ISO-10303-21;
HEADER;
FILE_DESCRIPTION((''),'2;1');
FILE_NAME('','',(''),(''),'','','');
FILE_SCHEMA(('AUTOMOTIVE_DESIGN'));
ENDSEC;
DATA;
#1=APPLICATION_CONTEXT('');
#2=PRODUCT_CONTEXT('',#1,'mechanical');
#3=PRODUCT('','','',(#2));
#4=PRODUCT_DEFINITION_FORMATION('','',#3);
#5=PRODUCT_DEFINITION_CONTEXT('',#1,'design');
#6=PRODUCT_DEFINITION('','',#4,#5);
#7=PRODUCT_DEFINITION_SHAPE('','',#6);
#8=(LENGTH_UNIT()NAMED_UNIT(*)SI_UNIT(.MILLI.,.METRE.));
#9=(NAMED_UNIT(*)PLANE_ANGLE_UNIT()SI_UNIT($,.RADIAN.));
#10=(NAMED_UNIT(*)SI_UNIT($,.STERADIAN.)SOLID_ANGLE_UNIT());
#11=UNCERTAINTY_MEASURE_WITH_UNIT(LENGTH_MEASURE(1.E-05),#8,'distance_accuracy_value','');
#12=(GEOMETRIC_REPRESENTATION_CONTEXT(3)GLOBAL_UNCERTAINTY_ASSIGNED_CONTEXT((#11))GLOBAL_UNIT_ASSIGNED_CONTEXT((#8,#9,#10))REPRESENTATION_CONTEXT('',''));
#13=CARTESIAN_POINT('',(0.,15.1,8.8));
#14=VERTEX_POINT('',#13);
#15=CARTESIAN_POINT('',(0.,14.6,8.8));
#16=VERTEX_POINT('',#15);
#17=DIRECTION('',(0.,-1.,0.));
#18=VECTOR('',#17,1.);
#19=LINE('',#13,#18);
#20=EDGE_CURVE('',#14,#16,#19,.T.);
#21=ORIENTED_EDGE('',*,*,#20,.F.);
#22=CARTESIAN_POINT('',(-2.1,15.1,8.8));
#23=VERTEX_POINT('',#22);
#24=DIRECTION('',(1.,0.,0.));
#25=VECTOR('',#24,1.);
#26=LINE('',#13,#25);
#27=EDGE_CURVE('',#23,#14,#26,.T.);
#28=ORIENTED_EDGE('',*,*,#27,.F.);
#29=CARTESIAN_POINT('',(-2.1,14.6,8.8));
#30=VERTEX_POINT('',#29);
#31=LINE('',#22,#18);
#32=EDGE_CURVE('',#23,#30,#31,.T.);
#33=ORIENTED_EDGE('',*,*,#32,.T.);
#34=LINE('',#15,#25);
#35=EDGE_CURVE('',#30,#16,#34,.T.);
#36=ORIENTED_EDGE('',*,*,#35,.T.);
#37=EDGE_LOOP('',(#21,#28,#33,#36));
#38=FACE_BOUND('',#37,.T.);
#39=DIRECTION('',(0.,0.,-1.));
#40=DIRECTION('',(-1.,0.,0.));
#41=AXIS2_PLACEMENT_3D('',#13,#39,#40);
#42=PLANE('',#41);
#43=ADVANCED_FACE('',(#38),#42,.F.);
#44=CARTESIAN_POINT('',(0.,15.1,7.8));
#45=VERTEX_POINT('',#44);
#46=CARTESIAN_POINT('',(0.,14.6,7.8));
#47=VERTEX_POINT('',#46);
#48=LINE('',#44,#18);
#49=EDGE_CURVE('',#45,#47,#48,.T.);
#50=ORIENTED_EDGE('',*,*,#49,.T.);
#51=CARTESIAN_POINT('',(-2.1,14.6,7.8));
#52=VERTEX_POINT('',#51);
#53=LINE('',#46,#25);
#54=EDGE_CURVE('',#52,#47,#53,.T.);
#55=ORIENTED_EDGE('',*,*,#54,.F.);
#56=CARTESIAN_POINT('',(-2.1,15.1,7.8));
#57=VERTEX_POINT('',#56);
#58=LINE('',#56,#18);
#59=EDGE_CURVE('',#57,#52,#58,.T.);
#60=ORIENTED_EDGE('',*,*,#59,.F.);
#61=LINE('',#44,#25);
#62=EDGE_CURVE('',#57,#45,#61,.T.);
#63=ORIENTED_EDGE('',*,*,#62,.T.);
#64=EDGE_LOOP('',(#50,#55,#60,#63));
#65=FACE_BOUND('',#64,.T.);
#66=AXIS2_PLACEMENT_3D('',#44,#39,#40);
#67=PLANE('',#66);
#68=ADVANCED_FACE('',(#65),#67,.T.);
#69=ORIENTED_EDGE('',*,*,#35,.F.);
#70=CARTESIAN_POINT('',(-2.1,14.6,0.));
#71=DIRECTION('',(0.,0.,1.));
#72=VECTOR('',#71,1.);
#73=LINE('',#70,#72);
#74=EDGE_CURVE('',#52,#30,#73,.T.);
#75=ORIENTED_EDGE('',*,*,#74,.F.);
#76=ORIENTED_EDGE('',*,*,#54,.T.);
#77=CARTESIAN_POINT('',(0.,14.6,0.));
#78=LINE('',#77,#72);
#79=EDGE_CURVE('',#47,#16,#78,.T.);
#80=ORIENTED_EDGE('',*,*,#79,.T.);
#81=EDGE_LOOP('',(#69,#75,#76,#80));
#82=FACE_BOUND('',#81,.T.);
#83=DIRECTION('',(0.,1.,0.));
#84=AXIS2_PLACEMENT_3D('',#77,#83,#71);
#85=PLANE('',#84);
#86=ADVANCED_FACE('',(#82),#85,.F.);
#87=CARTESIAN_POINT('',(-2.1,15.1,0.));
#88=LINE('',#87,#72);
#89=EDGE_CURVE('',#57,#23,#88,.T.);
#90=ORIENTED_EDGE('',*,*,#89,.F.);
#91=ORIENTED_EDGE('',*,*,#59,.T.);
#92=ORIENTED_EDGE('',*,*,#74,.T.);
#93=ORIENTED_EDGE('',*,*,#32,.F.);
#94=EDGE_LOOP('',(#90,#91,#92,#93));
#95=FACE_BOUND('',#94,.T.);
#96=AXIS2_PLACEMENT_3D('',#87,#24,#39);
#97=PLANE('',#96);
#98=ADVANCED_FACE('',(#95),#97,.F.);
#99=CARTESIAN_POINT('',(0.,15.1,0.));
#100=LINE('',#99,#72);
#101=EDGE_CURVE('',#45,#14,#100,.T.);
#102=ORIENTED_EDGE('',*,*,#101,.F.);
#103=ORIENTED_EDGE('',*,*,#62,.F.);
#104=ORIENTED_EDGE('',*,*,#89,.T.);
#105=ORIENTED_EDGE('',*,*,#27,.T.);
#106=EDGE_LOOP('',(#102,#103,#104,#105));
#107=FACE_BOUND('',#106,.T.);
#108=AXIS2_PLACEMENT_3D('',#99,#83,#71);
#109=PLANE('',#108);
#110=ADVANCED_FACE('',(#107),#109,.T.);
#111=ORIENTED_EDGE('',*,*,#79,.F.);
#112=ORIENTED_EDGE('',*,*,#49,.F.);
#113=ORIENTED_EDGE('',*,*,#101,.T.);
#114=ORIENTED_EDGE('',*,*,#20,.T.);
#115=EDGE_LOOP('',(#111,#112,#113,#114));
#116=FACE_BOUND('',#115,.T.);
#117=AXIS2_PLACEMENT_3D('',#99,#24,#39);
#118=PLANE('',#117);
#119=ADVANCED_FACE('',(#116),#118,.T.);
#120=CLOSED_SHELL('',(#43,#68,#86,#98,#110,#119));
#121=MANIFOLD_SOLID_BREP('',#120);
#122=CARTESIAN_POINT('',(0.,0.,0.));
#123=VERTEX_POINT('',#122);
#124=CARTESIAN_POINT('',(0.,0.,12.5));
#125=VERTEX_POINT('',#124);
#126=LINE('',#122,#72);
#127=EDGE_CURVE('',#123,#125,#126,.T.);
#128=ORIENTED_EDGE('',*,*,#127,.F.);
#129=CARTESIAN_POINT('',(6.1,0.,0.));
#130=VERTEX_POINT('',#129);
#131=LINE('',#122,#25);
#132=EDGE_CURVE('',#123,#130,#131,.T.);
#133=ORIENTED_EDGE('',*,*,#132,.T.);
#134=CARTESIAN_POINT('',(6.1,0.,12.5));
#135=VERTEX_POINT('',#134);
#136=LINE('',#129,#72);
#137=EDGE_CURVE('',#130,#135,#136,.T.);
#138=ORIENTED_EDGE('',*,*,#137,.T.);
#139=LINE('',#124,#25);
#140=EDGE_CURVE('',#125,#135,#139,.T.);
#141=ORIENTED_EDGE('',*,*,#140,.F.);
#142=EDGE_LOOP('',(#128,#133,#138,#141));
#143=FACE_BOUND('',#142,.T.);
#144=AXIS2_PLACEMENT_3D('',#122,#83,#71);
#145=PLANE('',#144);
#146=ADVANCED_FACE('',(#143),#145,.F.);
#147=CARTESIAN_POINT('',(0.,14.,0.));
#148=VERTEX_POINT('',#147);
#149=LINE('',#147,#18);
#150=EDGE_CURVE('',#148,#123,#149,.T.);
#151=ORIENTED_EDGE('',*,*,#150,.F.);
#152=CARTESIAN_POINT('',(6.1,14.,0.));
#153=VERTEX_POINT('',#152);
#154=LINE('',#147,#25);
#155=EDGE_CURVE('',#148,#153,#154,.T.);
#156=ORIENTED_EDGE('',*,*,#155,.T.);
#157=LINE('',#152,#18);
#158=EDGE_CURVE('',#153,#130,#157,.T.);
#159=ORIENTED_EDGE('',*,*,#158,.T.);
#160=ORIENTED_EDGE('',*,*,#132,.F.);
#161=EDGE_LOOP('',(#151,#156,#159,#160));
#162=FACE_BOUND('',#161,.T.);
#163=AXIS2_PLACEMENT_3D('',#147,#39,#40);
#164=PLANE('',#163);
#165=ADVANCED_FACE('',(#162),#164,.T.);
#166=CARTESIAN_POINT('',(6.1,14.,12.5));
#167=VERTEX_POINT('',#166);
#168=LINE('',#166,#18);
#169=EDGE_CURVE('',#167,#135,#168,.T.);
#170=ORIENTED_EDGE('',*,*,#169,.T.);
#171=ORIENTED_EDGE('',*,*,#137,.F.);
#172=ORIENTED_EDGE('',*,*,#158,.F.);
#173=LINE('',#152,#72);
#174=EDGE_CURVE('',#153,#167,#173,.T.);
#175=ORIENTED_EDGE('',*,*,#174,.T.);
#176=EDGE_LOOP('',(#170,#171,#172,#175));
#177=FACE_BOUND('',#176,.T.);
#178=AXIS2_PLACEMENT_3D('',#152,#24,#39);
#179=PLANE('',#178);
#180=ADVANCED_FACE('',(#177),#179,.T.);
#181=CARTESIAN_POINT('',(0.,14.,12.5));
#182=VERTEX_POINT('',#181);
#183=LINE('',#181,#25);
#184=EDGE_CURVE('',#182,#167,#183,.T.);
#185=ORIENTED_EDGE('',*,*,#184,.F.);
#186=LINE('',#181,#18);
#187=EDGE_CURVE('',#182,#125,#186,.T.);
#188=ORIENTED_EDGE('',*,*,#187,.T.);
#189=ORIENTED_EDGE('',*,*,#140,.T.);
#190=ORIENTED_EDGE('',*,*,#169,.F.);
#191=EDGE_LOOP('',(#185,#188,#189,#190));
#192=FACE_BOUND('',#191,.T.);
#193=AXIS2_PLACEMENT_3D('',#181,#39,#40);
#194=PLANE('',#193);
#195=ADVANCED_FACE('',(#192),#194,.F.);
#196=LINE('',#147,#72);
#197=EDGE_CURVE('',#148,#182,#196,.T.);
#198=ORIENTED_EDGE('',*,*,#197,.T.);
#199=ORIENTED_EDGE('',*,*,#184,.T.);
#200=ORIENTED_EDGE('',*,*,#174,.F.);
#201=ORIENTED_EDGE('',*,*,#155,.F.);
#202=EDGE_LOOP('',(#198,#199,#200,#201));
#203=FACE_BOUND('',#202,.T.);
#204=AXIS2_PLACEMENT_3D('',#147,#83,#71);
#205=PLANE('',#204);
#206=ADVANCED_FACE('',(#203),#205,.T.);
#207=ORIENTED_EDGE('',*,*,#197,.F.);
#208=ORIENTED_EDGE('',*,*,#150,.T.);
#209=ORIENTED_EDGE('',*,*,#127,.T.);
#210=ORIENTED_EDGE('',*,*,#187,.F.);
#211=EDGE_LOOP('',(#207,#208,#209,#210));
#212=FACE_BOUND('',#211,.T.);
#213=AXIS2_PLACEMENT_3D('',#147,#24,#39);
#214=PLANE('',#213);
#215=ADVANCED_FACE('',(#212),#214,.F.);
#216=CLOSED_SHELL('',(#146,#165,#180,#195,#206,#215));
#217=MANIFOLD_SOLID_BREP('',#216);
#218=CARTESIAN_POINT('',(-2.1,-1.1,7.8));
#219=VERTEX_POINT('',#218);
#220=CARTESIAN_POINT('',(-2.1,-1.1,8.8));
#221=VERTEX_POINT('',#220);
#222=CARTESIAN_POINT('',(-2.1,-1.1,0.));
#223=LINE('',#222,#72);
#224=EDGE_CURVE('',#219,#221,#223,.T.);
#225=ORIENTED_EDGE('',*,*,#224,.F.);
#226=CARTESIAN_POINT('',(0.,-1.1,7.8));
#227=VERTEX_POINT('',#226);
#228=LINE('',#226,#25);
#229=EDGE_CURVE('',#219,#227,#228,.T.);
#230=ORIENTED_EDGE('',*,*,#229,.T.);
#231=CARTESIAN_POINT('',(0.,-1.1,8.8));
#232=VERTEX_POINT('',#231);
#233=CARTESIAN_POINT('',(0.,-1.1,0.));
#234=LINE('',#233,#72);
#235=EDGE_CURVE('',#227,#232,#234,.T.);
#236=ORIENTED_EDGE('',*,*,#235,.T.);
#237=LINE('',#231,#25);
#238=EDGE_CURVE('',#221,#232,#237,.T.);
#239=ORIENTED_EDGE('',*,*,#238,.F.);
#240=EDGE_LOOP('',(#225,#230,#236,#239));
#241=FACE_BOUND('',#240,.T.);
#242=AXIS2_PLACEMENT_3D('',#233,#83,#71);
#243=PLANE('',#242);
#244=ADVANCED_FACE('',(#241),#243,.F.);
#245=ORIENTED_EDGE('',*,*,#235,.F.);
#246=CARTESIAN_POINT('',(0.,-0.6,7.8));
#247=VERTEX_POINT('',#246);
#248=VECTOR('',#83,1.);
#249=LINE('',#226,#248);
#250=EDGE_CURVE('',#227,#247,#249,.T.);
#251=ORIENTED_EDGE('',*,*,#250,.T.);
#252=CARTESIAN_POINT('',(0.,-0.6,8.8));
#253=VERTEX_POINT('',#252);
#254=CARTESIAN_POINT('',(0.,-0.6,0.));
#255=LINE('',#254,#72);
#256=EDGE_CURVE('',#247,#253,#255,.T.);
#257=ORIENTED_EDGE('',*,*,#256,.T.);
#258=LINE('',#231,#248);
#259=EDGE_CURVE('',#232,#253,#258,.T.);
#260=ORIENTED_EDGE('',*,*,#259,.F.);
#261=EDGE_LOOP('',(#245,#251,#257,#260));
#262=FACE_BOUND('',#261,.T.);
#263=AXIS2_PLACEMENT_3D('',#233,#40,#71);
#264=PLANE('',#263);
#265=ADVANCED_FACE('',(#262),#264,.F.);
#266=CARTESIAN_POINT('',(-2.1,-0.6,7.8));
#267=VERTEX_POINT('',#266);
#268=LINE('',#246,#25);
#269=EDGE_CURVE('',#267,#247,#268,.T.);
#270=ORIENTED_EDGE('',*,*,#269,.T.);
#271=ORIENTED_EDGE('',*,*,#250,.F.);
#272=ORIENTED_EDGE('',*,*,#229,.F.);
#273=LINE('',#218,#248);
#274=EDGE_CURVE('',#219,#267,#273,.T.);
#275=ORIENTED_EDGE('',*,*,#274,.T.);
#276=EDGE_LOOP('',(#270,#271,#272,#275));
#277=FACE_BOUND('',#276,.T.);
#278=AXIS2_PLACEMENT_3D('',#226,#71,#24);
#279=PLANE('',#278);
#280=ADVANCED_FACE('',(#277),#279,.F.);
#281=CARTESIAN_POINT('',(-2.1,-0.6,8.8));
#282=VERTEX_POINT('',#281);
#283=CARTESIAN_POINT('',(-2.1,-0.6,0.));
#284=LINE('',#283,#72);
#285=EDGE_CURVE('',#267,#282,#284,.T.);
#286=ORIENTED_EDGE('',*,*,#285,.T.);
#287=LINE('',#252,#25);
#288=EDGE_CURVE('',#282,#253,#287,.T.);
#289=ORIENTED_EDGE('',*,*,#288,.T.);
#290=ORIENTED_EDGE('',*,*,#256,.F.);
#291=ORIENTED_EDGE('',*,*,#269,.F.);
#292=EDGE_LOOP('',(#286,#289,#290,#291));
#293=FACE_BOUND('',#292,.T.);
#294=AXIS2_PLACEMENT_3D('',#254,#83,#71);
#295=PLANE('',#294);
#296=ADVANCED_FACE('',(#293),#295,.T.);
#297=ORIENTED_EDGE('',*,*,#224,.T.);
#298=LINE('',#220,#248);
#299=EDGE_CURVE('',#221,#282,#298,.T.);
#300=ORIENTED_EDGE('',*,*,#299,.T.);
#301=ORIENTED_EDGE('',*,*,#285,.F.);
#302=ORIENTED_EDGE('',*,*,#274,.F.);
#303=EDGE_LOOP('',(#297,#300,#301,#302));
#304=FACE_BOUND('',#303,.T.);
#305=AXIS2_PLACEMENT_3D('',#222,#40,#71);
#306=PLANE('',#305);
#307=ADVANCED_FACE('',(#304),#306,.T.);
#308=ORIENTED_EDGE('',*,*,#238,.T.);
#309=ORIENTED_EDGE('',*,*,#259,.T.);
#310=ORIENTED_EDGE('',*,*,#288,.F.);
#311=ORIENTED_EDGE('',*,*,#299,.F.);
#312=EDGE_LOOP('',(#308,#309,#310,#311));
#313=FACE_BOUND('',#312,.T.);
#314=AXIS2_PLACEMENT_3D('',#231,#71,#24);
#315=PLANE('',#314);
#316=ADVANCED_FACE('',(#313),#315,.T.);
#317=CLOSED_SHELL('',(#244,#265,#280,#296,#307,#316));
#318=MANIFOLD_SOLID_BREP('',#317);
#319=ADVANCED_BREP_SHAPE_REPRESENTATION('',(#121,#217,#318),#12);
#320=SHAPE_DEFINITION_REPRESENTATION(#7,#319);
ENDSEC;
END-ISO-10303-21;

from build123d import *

# Parameters (mm, degrees)
BOSS_EXTRUDE1_DEPTH = 14
BOSS_EXTRUDE2_START = -0.6
SKETCH1_3_W         = 2.1
SKETCH1_3_H         = 1
BOSS_EXTRUDE2_DEPTH = 0.5
BOSS_EXTRUDE3_START = 14.6
SKETCH1_4_W         = 2.1
SKETCH1_4_H         = 1
BOSS_EXTRUDE3_DEPTH = 0.5


with BuildPart() as part:
    # Sketch1 → Boss-Extrude1 (new body)
    with BuildSketch(Plane(origin=(0, 0, 0), x_dir=(1, 0, 0), z_dir=(0, 1, 0))):
        Polygon((0, 0), (0, -7.8), (0, -8.8), (0, -12.5), (6.1, -12.5), (6.1, 0), align=None)
    extrude(amount=BOSS_EXTRUDE1_DEPTH)


with BuildPart() as body_2:
    # Sketch1<3> → Boss-Extrude2 (new body)
    with BuildSketch(Plane(origin=(0, 0, 0), x_dir=(1, 0, 0), z_dir=(0, 1, 0)).offset(BOSS_EXTRUDE2_START)):
        with Locations((-1.05, -8.3)):
            Rectangle(SKETCH1_3_W, SKETCH1_3_H)
    extrude(amount=-BOSS_EXTRUDE2_DEPTH)


with BuildPart() as body_3:
    # Sketch1<4> → Boss-Extrude3 (new body)
    with BuildSketch(Plane(origin=(0, 0, 0), x_dir=(1, 0, 0), z_dir=(0, 1, 0)).offset(BOSS_EXTRUDE3_START)):
        with Locations((-1.05, -8.3)):
            Rectangle(SKETCH1_4_W, SKETCH1_4_H)
    extrude(amount=BOSS_EXTRUDE3_DEPTH)


solid = Compound([part.part, body_2.part, body_3.part])
